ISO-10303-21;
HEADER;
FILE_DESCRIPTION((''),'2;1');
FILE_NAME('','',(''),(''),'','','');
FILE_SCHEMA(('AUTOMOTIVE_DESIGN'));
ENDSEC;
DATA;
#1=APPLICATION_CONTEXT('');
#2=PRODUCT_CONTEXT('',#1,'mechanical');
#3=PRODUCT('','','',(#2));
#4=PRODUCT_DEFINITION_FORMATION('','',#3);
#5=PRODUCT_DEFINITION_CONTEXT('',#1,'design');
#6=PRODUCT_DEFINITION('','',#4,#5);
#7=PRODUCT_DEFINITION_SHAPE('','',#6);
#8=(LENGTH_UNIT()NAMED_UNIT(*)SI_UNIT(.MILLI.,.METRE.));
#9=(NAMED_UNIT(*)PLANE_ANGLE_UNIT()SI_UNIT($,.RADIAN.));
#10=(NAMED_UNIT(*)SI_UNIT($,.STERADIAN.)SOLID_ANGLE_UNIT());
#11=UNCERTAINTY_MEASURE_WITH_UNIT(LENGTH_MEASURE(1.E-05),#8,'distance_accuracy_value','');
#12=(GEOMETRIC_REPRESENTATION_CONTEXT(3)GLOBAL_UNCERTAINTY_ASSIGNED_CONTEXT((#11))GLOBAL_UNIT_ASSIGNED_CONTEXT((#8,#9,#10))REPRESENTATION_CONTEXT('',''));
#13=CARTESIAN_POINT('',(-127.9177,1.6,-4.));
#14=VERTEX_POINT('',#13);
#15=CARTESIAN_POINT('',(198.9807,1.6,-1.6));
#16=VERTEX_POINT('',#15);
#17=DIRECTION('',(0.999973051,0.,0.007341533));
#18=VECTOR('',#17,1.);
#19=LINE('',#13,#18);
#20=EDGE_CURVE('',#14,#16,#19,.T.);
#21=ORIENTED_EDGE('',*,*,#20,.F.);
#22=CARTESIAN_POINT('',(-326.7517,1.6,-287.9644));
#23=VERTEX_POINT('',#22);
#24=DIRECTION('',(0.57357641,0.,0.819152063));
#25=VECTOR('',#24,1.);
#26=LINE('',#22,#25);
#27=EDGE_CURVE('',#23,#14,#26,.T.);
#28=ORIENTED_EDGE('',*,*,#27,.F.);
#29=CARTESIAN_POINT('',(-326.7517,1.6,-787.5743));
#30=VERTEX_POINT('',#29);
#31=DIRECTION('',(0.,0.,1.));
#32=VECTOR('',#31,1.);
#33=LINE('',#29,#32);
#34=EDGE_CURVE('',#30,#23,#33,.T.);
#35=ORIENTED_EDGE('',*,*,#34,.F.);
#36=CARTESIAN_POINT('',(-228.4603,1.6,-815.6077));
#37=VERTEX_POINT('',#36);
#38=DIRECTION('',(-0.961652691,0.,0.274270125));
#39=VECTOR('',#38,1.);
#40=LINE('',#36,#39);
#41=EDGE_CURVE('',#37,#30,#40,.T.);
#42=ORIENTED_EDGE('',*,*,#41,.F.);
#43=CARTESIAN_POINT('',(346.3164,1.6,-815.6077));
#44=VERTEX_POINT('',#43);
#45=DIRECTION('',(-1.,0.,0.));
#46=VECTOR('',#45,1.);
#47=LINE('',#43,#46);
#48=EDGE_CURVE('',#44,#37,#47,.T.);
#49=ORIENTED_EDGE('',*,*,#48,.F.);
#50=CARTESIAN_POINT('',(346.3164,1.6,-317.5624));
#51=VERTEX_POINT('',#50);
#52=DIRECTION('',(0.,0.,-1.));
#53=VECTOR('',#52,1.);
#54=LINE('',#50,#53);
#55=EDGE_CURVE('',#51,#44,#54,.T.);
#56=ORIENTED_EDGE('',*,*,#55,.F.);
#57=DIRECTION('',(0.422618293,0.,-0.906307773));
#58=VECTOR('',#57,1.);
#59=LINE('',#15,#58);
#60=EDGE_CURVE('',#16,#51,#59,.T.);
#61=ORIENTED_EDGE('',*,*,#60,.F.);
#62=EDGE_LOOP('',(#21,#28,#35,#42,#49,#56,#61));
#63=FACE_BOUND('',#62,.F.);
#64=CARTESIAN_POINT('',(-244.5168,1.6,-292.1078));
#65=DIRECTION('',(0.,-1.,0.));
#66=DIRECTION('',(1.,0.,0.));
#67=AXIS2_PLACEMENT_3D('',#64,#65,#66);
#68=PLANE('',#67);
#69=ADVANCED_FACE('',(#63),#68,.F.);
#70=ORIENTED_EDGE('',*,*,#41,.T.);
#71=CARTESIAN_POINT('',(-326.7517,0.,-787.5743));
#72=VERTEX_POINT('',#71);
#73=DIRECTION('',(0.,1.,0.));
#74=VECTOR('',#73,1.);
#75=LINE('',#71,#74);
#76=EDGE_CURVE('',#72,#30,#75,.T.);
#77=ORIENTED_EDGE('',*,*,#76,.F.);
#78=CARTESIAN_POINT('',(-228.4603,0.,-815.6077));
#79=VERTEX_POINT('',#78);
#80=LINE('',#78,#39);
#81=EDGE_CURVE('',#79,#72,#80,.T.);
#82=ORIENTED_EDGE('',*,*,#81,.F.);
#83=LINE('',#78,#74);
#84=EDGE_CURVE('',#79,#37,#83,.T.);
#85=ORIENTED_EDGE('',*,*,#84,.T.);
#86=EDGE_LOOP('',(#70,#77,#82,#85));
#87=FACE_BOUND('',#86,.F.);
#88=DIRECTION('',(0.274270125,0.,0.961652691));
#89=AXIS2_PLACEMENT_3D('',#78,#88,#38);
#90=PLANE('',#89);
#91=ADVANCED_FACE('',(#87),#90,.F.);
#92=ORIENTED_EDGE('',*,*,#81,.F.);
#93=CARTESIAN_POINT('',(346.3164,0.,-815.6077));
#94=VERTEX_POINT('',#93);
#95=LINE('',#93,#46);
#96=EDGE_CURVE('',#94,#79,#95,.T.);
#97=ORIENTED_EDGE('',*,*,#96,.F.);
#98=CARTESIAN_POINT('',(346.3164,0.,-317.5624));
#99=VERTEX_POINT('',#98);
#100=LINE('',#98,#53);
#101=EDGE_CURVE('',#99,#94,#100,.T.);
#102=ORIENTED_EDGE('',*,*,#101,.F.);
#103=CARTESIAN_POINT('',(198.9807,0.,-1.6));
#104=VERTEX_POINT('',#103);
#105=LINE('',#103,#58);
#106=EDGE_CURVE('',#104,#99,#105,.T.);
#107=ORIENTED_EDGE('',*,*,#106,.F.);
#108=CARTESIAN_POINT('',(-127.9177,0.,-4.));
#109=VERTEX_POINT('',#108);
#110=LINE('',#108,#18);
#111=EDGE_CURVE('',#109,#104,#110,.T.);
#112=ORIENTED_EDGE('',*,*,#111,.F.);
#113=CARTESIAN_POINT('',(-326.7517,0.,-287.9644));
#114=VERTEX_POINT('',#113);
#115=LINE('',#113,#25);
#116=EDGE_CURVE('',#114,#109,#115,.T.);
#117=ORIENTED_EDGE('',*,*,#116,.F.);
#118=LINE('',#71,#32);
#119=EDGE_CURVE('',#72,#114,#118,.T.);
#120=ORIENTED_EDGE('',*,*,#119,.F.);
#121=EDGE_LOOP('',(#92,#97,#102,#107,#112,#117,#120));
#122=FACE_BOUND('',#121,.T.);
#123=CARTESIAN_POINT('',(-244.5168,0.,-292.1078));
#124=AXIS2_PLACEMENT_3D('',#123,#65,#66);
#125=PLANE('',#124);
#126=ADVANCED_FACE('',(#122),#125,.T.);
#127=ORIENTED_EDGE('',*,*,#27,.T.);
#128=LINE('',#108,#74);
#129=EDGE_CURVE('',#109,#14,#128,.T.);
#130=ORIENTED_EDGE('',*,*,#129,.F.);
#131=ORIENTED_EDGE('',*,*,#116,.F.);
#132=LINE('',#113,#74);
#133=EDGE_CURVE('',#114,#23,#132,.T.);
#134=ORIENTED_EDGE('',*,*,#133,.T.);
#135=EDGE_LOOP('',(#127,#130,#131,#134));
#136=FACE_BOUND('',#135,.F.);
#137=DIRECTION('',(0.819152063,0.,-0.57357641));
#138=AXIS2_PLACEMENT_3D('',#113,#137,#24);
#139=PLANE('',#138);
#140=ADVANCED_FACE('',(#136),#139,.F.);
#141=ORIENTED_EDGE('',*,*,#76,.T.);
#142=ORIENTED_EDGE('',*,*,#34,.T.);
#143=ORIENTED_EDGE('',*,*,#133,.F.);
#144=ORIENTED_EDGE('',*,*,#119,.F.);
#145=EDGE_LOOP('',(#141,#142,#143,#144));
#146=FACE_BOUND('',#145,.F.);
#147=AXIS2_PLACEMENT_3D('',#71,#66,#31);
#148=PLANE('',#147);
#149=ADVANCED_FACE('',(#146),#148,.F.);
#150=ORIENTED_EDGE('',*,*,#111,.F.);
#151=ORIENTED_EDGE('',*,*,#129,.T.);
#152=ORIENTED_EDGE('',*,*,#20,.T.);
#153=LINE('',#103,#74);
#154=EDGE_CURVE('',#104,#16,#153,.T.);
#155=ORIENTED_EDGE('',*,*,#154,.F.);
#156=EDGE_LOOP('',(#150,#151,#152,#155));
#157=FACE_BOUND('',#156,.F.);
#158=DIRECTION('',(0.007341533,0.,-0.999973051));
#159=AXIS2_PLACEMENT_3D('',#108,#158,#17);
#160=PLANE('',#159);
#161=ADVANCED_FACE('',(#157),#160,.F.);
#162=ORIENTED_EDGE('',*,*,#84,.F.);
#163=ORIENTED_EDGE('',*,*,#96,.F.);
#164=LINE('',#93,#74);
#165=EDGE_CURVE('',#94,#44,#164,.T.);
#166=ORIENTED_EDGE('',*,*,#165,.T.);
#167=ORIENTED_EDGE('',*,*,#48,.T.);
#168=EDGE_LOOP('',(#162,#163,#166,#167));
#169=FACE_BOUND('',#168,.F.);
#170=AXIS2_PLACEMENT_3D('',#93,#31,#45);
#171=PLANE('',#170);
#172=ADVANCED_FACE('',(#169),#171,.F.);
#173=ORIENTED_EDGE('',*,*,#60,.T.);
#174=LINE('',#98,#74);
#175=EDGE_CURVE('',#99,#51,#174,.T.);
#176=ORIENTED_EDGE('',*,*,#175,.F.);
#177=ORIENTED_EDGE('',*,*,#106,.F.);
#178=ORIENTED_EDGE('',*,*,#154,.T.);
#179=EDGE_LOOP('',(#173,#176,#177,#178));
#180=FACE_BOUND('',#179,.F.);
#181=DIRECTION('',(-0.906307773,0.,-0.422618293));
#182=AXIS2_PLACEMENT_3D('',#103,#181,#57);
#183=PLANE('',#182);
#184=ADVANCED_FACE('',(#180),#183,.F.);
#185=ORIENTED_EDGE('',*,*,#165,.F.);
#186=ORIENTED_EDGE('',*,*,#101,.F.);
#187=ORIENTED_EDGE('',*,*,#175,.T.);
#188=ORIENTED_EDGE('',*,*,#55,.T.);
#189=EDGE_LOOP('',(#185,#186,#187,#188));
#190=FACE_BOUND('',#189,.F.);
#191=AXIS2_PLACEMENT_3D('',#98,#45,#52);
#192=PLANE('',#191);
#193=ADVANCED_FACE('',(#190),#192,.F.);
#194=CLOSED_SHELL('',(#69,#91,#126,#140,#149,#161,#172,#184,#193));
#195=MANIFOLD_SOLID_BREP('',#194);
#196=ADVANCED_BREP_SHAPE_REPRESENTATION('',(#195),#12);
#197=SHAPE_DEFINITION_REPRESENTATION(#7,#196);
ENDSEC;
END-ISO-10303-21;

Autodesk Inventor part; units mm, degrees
ref_plane "YZ Plane" through (0, 0, 0) normal (1, 0, 0) x (0, 1, 0)
ref_plane "XZ Plane" through (0, 0, 0) normal (0, 1, 0) x (-1, 0, 0)
ref_plane "XY Plane" through (0, 0, 0) normal (0, 0, 1) x (1, 0, 0)
ref_plane "Work Plane1" through (-244.5168, 0, -292.1078) normal (0, -1, 0) x (1, 0, 0)
sketch "Sketch1" plane through (-244.5168, 0, -292.1078) normal (0, -1, 0) x (1, 0, 0)
  line L0 (-82.2349, -443.0164) -> (-82.2349, 4.1434)
  line L1 (16.0565, -523.4999) -> (-89.6349, -493.4083) projected
  line L2 (-82.2349, 4.1434) -> (116.5991, 288.1078)
  line L3 (116.5991, 288.1078) -> (240.5168, 288.1078)
  line L4 (590.8332, -25.4546) -> (443.4975, 290.5078) projected
  line L5 (590.8332, -523.4999) -> (590.8332, -25.4546) projected
  point P0 (244.5168, 292.1078)
sketch "Sketch2" plane through (-244.5168, 0, -292.1078) normal (0, -1, 0) x (1, 0, 0)
  line L0 (16.0565, -523.4999) -> (-82.2349, -495.4665)
  line L1 (-82.2349, -495.4665) -> (-82.2349, 4.1434)
  line L2 (-82.2349, 4.1434) -> (116.5991, 288.1078)
  line L3 (116.5991, 288.1078) -> (443.4975, 290.5078)
  line L4 (443.4975, 290.5078) -> (590.8332, -25.4546)
  line L5 (590.8332, -25.4546) -> (590.8332, -523.4999)
  line L6 (590.8332, -523.4999) -> (16.0565, -523.4999)
  point P0 (244.5168, 292.1078)
extrude "Plate extrude" add sketch "Sketch2" against normal blind 1.6
sketch "Sketch3" plane through (-244.5168, 0, -292.1078) normal (0, -1, 0) x (1, 0, 0)
  circle A0 centre (303.4237, -47.9675) radius 80.5 construction
  circle A1 centre (303.4237, -47.7578) radius 75 construction
  line L0 (153.4237, 102.2422) -> (453.4237, 102.2422)
  line L1 (453.4237, 102.2422) -> (453.4237, -197.7578)
  line L2 (453.4237, -197.7578) -> (153.4237, -197.7578)
  line L3 (153.4237, -197.7578) -> (153.4237, 102.2422)
  line L4 (153.4237, 102.2422) -> (453.4237, -197.7578) construction
  line L5 (453.4237, 102.2422) -> (153.4237, -197.7578) construction
  point P0 (244.5168, 292.1078)
  dimension "d3" = 300
  dimension "d4" = 300
extrude "Tailstock door" [suppressed]
sketch "Sketch4" plane through (-244.5168, 0, -292.1078) normal (0, -1, 0) x (1, 0, 0)
  circle A0 centre (303.4237, -47.7578) radius 75 construction
  circle A1 centre (303.4237, -47.7578) radius 81.28
  circle A2 centre (303.4237, -47.9675) radius 80.5 construction
  point P0 (244.5168, 292.1078)
  dimension "d7" = 162.56
  dimension "d8" = 161
extrude "Headstock cut out" [suppressed]
sketch "Sketch5" plane through (-244.5168, 1.6, -292.1078) normal (0, 1, 0) x (1, 0, 0)
  point P0 (244.5168, -292.1078)
  point P1 (303.4237, 47.9675)
properties part number "side cover plate Base"
